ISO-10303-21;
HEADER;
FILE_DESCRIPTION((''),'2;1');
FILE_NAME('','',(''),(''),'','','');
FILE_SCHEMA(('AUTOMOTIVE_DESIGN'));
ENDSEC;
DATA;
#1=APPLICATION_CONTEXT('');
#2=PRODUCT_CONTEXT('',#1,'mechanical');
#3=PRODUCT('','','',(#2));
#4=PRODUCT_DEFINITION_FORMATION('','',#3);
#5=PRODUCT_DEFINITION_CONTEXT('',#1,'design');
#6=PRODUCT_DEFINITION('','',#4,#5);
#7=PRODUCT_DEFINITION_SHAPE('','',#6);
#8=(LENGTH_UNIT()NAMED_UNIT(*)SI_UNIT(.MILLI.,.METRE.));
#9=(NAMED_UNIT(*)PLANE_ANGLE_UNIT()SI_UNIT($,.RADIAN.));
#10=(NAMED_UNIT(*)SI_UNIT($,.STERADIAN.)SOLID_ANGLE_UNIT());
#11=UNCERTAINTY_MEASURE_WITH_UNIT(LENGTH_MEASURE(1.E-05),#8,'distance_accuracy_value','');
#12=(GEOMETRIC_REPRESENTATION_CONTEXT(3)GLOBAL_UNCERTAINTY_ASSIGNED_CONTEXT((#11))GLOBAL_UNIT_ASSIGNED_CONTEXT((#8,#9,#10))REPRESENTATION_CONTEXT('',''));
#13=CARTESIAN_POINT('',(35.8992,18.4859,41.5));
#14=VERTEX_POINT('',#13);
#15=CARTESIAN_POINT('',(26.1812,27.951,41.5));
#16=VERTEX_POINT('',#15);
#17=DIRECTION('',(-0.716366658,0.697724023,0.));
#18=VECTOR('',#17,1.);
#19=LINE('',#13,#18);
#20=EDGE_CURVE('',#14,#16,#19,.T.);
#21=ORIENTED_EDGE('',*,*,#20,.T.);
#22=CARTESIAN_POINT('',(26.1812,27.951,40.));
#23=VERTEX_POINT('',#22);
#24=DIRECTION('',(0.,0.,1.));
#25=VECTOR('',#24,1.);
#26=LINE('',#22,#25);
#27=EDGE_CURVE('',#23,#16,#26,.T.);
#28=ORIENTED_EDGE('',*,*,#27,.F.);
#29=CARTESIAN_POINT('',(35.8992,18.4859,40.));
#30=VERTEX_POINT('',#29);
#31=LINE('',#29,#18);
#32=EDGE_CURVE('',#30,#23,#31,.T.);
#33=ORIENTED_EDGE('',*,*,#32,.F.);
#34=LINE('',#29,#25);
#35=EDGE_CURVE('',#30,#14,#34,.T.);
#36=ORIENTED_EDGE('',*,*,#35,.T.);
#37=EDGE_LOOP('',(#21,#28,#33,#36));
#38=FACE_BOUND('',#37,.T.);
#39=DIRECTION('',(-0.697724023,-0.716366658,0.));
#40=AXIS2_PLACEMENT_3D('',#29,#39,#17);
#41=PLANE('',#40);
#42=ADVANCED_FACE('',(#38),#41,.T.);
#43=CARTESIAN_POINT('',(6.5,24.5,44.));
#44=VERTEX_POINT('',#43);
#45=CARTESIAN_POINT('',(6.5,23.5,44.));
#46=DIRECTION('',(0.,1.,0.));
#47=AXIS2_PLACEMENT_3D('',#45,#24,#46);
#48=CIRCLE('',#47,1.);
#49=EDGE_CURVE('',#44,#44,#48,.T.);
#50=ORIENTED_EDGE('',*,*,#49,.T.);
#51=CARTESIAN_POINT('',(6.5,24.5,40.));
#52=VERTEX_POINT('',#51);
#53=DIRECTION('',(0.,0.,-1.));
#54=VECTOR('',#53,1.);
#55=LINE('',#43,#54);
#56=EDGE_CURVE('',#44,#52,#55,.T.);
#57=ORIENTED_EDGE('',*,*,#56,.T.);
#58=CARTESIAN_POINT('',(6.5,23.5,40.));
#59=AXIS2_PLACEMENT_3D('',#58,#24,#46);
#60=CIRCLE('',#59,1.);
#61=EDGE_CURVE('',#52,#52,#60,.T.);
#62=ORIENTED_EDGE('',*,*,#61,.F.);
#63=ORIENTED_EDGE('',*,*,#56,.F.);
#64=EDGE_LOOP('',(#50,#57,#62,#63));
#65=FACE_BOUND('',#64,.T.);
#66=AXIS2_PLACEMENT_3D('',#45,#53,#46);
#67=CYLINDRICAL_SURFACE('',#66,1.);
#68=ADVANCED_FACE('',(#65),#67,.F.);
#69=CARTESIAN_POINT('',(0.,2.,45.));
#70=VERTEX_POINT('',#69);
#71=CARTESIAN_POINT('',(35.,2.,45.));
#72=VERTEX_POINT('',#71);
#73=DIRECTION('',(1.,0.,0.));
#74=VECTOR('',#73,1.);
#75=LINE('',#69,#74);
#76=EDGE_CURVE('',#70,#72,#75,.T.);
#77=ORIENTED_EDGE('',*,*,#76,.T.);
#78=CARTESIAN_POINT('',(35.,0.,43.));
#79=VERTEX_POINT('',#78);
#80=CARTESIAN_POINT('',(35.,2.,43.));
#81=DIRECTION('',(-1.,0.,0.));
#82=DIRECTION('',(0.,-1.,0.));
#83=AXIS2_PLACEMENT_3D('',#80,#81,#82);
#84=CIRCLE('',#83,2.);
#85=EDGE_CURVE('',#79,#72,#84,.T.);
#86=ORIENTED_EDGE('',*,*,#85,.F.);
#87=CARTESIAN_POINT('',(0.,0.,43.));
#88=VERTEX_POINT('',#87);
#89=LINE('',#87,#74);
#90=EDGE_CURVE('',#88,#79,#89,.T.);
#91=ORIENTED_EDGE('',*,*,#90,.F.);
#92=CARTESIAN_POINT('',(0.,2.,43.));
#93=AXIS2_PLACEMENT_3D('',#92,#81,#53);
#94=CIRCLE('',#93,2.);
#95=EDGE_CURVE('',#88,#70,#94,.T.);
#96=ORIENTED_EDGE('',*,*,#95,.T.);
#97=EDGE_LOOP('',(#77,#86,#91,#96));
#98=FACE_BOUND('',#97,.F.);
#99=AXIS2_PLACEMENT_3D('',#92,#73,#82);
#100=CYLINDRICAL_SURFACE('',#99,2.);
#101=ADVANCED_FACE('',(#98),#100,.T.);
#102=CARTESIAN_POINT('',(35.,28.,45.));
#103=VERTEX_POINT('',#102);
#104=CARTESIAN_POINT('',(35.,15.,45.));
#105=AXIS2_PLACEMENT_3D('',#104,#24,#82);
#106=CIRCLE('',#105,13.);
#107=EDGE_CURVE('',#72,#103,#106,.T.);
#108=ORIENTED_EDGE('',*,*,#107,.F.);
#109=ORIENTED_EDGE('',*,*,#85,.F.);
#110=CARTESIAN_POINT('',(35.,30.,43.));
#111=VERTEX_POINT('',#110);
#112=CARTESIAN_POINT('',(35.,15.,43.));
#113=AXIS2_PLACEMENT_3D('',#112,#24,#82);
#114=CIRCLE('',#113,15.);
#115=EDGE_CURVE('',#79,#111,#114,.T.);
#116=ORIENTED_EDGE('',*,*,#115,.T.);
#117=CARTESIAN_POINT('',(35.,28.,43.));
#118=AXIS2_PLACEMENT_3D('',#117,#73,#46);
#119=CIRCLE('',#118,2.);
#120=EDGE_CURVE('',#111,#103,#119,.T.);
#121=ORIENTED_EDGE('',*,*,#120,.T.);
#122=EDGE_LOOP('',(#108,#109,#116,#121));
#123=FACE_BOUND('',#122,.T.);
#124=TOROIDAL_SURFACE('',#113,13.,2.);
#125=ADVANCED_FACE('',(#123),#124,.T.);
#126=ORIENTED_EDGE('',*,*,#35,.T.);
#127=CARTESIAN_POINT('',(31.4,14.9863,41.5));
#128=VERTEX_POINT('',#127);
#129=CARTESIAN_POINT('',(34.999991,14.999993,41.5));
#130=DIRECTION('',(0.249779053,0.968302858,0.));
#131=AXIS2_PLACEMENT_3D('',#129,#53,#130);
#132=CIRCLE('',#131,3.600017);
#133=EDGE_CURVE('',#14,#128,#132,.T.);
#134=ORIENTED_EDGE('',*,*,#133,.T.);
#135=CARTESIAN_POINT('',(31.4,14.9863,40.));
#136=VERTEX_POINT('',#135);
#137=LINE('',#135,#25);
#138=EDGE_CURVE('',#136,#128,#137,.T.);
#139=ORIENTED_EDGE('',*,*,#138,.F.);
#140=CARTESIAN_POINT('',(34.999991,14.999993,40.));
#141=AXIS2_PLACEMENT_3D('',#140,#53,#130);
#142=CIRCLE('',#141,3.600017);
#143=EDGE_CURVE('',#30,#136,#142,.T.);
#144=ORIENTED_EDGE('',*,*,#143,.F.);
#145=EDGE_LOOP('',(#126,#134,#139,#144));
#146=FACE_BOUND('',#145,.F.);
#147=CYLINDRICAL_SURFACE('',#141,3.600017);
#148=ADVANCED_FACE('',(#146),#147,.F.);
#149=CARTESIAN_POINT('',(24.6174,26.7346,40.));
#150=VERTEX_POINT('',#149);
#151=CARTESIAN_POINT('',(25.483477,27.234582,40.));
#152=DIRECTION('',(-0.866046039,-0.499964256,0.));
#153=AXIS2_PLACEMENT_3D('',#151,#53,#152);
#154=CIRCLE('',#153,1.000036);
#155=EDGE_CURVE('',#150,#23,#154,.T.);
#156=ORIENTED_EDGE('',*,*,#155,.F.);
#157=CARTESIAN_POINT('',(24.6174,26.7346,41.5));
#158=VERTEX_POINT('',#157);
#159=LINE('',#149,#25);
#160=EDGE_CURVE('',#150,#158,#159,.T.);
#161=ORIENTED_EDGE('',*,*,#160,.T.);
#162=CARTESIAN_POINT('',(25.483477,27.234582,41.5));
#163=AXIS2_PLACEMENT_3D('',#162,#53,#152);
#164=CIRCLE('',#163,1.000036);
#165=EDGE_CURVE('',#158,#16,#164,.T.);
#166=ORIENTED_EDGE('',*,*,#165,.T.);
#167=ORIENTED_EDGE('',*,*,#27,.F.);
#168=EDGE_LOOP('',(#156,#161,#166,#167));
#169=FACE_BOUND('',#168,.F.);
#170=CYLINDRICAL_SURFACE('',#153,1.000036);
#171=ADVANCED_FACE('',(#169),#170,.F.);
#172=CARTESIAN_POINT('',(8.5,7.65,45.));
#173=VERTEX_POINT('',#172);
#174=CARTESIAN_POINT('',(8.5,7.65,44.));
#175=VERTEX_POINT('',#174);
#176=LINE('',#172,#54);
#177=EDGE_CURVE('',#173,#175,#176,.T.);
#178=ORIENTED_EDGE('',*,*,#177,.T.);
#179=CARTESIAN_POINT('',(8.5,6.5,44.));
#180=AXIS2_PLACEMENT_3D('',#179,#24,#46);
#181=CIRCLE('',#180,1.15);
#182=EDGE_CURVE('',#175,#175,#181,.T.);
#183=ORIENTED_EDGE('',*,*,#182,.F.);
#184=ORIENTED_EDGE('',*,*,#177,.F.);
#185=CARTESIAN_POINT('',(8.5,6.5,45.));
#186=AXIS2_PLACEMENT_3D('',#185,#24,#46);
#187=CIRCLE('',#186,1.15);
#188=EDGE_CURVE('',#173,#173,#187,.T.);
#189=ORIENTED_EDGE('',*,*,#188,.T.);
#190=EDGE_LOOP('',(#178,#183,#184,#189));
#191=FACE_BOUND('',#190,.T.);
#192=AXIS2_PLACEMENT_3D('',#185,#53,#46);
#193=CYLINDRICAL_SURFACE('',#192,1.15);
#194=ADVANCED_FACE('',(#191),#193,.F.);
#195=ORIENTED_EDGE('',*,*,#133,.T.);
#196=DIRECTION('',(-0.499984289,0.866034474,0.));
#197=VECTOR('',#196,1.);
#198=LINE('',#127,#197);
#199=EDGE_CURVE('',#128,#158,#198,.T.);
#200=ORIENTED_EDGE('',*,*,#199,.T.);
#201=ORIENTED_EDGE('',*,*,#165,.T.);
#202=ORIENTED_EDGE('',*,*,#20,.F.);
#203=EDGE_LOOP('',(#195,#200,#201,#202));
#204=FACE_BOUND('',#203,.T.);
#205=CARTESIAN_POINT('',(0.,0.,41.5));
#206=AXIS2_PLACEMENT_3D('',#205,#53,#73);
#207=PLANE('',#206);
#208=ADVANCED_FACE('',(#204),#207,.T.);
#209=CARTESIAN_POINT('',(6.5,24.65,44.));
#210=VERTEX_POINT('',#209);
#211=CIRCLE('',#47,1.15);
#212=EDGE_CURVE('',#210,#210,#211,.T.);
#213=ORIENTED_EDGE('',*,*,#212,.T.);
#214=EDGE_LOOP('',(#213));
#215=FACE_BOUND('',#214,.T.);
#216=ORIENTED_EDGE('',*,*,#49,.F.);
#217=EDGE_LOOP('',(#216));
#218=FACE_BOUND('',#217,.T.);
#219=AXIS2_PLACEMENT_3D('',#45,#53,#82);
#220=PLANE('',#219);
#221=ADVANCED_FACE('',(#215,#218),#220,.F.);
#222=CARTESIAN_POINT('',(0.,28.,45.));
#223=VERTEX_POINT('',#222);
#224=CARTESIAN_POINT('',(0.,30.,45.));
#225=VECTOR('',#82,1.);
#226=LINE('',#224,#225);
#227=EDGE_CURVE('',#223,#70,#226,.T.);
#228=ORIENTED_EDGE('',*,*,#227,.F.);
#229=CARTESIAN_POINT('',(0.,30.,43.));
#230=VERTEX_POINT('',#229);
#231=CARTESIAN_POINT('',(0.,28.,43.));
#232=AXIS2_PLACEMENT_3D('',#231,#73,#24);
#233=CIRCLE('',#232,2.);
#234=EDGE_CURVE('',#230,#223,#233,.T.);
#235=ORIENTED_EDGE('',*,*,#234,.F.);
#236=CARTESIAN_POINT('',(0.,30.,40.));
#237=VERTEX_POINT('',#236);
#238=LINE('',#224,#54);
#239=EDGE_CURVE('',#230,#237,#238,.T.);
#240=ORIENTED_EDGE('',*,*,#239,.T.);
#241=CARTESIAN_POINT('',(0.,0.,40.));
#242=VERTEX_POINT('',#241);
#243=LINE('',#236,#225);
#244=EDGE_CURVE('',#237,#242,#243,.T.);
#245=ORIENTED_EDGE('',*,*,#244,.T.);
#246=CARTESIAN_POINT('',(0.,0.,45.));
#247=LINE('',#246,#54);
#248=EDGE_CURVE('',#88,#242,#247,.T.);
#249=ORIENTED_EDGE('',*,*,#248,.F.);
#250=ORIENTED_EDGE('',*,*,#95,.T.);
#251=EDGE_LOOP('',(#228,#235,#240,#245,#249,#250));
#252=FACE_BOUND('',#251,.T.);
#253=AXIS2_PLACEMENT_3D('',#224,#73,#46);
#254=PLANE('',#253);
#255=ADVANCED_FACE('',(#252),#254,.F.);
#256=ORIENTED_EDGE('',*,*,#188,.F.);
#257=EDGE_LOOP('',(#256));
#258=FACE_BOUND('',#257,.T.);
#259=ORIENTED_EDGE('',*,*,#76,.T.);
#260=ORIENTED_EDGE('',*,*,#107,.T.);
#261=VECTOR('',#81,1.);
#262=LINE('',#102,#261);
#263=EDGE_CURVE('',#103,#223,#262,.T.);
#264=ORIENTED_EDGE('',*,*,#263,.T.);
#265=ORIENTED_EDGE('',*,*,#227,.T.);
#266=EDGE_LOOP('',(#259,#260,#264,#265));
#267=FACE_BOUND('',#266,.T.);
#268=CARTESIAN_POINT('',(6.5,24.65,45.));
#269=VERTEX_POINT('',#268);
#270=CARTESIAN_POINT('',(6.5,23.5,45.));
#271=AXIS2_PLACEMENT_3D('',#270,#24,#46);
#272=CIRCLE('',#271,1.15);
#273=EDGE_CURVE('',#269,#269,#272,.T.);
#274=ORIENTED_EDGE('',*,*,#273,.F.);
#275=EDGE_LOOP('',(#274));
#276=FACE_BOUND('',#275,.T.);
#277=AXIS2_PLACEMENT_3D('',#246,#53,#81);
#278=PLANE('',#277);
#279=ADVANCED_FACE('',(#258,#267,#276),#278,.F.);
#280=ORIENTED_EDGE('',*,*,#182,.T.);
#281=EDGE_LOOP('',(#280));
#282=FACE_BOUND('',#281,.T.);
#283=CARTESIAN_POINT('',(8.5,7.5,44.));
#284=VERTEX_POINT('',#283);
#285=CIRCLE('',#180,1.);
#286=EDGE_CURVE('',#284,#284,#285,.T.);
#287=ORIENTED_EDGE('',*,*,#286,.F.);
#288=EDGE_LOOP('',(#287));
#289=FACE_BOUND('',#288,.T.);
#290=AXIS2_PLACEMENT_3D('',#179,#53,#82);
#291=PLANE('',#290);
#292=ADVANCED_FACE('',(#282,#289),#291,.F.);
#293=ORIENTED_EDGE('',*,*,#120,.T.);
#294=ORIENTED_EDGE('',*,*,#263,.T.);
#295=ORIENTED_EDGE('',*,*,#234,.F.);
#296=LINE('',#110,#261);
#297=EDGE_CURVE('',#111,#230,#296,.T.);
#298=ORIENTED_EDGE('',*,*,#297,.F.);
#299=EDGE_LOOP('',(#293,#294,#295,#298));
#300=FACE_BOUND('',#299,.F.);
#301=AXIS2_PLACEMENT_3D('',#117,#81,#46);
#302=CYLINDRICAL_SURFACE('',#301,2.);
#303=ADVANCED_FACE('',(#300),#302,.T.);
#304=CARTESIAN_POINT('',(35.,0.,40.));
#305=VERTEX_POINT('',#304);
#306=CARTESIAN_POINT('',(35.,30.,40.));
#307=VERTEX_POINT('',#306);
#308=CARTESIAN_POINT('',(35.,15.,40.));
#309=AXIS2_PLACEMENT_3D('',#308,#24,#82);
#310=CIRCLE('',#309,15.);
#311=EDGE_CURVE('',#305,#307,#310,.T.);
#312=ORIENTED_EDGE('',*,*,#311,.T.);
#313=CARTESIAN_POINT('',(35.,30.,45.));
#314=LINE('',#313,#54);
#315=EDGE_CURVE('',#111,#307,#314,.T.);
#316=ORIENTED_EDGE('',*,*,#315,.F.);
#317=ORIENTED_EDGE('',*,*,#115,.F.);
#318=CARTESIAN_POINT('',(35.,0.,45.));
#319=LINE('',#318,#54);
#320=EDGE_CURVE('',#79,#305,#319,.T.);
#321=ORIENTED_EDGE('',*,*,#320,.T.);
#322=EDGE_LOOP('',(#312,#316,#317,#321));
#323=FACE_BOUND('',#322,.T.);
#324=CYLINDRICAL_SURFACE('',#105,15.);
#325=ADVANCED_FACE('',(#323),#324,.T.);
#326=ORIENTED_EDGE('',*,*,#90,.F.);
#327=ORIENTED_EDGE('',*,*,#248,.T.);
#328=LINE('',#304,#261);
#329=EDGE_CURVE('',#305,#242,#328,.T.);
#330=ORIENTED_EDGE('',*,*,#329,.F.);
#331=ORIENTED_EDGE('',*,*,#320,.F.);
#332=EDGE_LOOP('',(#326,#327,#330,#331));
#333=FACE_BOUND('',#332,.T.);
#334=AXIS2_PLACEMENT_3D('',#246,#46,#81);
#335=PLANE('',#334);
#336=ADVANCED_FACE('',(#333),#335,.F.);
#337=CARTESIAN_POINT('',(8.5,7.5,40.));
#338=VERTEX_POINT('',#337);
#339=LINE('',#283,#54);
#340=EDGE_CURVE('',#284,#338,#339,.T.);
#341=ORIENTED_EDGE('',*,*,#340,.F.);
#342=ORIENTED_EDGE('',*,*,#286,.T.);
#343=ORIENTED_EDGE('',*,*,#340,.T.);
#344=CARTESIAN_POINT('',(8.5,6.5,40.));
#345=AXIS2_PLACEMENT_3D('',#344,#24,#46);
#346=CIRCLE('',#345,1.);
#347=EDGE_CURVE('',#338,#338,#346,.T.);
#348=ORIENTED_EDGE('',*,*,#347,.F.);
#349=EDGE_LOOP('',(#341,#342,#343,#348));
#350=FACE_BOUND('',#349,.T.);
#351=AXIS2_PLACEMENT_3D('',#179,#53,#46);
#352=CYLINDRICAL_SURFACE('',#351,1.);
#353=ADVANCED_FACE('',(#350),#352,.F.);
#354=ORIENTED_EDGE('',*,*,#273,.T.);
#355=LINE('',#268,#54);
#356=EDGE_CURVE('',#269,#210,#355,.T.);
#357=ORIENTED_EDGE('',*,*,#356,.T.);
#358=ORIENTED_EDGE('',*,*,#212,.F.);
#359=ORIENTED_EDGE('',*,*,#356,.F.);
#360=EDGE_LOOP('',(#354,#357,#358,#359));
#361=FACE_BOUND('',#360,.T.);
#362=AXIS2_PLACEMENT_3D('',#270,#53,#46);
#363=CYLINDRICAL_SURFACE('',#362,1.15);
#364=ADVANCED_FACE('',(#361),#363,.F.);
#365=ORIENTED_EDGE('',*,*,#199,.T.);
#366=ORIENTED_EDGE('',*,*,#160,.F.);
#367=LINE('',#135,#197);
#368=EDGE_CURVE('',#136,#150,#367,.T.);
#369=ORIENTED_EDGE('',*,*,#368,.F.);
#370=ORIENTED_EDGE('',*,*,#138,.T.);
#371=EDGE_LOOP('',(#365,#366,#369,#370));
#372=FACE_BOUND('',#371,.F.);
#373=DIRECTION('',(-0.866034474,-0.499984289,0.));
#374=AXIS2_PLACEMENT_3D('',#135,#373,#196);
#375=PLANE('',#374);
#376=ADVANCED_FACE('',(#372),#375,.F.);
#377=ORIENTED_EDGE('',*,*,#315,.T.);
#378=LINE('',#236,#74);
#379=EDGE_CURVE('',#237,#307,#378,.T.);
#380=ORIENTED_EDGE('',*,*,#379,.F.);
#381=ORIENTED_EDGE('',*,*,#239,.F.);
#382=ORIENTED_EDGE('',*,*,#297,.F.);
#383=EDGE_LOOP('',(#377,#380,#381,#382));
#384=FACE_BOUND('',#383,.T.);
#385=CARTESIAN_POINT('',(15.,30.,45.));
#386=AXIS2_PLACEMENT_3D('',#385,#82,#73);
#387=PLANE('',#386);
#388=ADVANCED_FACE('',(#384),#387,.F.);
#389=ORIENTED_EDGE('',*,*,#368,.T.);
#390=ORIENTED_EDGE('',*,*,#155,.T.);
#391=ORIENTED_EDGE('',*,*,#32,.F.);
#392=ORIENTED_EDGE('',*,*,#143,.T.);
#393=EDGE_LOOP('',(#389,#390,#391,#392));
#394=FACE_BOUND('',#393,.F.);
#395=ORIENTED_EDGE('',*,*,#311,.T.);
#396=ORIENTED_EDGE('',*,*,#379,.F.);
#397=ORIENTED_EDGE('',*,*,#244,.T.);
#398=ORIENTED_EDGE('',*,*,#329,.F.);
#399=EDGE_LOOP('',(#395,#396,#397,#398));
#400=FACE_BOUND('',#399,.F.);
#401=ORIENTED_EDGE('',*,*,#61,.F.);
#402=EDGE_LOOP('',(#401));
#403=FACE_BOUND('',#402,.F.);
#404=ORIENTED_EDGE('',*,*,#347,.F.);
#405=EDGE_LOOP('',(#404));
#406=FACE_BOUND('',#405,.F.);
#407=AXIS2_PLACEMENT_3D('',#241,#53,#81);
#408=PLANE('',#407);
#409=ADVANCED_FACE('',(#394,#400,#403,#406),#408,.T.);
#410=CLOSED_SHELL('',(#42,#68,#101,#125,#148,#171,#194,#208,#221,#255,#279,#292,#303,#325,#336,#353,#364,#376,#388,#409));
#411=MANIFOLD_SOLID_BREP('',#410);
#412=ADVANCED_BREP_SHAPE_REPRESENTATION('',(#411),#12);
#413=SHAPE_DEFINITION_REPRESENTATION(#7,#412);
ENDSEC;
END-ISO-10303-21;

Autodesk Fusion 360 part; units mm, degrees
sketch "Sketch1" plane through (0, 0, 0) normal (0, 0, 1) x (1, 0, 0)
  line L0 (0, 0) -> (35, 0)
  line L1 (35, 30) -> (0, 30)
  line L2 (0, 30) -> (0, 0)
  circle A0 centre (35, 15) radius 2.25
  arc A1 (35, 0) -> (35, 30) centre (35, 15) ccw
  line L3 (15, 0) -> (15, 30)
  line L4 (15, 15) -> (0, 30) construction
  line L5 (7.5, 22.5) -> (7.5, 30) construction
  line L6 (7.5, 22.5) -> (0, 22.5) construction
  circle A2 centre (6.5, 23.5) radius 1
  circle A3 centre (8.5, 23.5) radius 1 construction
  circle A4 centre (8.5, 6.5) radius 1
  line L7 (15, 0) -> (0, 15) construction
  line L8 (7.5, 7.5) -> (7.5, 0) construction
  line L9 (7.5, 7.5) -> (15, 7.5) construction
  point P0 (40, 0)
  point P1 (15, 15)
  dimension "d1" = 30
  dimension "d7" = 35
  dimension "d8" = 35
  dimension "d9" = 4.5
  dimension "d14" = 2
  dimension "d36" = 2
extrude "Extrude1" add sketch "Sketch1" along normal blind 5 contours L0 L1 L2 L3 | L0 L1 A1 L3 | A0 | A2 | A4 makes body 1
hole "Hole1" at (8.5, 6.5, 0) at (6.5, 23.5, 0) direction (0, 0, 1) diameter 2 end through all counterbore diameter 2.3 counterbore depth 1 bodies 1 1
sketch "Sketch2" plane through (0, 0, 5) normal (0, 0, 1) x (-1, 0, 0)
  circle A0 centre (-8.5, -6.5) radius 1
  circle A1 centre (-6.5, -23.5) radius 1
  arc A2 (-35, 0) -> (-35, -30) centre (-35, -15) ccw
  line L0 (-35, -30) -> (0, -30)
  line L1 (0, -30) -> (0, 0)
  line L2 (0, 0) -> (-35, 0)
  circle A3 centre (-35, -15) radius 2.25
fillet "Fillet1" radius 2 3 edges at (17.5, 0, 0) (50, 15, 0) (17.5, 30, 0) on bodies 1
ref_plane "WorkPlane1" through (25, 15, 22.5) normal (0, 0, 1) x (1, 0, 0)
mirror "Mirror1" about plane through (25, 15, 22.5) normal (0, 0, 1) of bodies 1 makes body 2
extrude "Extrude2" cut sketch "Sketch2" against normal blind 4 contours A3 bodies 1
sketch "Sketch3" plane through (0, 0, 40) normal (0, 0, -1) x (1, 0, 0)
  circle A0 centre (8.5, -6.5) radius 1
  circle A1 centre (6.5, -23.5) radius 1
  arc A2 (35, -30) -> (35, 0) centre (35, -15) ccw
  line L0 (35, 0) -> (0, 0)
  line L1 (0, 0) -> (0, -30)
  line L2 (0, -30) -> (35, -30)
  line L3 (31.4, -14.9863) -> (24.6174, -26.7346)
  line L4 (35, -15) -> (24.8695, -28.0239) construction
  arc A3 (24.6174, -26.7346) -> (26.1812, -27.951) centre (25.4835, -27.2346) ccw
  line L5 (35.8992, -18.4859) -> (26.1812, -27.951)
  line L6 (31.4, -14.9863) -> (35.8992, -18.4859) construction
  arc A4 (35.8992, -18.4859) -> (31.4, -14.9863) centre (35, -15) ccw
  point P0 (35, -15)
  point P1 (35, -15)
  dimension "d30" = 2
  dimension "d31" = 5.7
  dimension "d32" = 16.5
  dimension "d33" = 7.2
extrude "Extrude3" cut sketch "Sketch3" against normal blind 1.5 contours L3 A3 L5 A4 bodies 2
hidden bodies 1
equation "d1 = breadth"
equation "breadth = 30 mm"
equation "length = 50 mm"
equation "d7 = length - d6"
equation "d8 = d7"
equation "d27 = ( 35 / 2 ) * 1 mm"
equation "d36 = d14"
